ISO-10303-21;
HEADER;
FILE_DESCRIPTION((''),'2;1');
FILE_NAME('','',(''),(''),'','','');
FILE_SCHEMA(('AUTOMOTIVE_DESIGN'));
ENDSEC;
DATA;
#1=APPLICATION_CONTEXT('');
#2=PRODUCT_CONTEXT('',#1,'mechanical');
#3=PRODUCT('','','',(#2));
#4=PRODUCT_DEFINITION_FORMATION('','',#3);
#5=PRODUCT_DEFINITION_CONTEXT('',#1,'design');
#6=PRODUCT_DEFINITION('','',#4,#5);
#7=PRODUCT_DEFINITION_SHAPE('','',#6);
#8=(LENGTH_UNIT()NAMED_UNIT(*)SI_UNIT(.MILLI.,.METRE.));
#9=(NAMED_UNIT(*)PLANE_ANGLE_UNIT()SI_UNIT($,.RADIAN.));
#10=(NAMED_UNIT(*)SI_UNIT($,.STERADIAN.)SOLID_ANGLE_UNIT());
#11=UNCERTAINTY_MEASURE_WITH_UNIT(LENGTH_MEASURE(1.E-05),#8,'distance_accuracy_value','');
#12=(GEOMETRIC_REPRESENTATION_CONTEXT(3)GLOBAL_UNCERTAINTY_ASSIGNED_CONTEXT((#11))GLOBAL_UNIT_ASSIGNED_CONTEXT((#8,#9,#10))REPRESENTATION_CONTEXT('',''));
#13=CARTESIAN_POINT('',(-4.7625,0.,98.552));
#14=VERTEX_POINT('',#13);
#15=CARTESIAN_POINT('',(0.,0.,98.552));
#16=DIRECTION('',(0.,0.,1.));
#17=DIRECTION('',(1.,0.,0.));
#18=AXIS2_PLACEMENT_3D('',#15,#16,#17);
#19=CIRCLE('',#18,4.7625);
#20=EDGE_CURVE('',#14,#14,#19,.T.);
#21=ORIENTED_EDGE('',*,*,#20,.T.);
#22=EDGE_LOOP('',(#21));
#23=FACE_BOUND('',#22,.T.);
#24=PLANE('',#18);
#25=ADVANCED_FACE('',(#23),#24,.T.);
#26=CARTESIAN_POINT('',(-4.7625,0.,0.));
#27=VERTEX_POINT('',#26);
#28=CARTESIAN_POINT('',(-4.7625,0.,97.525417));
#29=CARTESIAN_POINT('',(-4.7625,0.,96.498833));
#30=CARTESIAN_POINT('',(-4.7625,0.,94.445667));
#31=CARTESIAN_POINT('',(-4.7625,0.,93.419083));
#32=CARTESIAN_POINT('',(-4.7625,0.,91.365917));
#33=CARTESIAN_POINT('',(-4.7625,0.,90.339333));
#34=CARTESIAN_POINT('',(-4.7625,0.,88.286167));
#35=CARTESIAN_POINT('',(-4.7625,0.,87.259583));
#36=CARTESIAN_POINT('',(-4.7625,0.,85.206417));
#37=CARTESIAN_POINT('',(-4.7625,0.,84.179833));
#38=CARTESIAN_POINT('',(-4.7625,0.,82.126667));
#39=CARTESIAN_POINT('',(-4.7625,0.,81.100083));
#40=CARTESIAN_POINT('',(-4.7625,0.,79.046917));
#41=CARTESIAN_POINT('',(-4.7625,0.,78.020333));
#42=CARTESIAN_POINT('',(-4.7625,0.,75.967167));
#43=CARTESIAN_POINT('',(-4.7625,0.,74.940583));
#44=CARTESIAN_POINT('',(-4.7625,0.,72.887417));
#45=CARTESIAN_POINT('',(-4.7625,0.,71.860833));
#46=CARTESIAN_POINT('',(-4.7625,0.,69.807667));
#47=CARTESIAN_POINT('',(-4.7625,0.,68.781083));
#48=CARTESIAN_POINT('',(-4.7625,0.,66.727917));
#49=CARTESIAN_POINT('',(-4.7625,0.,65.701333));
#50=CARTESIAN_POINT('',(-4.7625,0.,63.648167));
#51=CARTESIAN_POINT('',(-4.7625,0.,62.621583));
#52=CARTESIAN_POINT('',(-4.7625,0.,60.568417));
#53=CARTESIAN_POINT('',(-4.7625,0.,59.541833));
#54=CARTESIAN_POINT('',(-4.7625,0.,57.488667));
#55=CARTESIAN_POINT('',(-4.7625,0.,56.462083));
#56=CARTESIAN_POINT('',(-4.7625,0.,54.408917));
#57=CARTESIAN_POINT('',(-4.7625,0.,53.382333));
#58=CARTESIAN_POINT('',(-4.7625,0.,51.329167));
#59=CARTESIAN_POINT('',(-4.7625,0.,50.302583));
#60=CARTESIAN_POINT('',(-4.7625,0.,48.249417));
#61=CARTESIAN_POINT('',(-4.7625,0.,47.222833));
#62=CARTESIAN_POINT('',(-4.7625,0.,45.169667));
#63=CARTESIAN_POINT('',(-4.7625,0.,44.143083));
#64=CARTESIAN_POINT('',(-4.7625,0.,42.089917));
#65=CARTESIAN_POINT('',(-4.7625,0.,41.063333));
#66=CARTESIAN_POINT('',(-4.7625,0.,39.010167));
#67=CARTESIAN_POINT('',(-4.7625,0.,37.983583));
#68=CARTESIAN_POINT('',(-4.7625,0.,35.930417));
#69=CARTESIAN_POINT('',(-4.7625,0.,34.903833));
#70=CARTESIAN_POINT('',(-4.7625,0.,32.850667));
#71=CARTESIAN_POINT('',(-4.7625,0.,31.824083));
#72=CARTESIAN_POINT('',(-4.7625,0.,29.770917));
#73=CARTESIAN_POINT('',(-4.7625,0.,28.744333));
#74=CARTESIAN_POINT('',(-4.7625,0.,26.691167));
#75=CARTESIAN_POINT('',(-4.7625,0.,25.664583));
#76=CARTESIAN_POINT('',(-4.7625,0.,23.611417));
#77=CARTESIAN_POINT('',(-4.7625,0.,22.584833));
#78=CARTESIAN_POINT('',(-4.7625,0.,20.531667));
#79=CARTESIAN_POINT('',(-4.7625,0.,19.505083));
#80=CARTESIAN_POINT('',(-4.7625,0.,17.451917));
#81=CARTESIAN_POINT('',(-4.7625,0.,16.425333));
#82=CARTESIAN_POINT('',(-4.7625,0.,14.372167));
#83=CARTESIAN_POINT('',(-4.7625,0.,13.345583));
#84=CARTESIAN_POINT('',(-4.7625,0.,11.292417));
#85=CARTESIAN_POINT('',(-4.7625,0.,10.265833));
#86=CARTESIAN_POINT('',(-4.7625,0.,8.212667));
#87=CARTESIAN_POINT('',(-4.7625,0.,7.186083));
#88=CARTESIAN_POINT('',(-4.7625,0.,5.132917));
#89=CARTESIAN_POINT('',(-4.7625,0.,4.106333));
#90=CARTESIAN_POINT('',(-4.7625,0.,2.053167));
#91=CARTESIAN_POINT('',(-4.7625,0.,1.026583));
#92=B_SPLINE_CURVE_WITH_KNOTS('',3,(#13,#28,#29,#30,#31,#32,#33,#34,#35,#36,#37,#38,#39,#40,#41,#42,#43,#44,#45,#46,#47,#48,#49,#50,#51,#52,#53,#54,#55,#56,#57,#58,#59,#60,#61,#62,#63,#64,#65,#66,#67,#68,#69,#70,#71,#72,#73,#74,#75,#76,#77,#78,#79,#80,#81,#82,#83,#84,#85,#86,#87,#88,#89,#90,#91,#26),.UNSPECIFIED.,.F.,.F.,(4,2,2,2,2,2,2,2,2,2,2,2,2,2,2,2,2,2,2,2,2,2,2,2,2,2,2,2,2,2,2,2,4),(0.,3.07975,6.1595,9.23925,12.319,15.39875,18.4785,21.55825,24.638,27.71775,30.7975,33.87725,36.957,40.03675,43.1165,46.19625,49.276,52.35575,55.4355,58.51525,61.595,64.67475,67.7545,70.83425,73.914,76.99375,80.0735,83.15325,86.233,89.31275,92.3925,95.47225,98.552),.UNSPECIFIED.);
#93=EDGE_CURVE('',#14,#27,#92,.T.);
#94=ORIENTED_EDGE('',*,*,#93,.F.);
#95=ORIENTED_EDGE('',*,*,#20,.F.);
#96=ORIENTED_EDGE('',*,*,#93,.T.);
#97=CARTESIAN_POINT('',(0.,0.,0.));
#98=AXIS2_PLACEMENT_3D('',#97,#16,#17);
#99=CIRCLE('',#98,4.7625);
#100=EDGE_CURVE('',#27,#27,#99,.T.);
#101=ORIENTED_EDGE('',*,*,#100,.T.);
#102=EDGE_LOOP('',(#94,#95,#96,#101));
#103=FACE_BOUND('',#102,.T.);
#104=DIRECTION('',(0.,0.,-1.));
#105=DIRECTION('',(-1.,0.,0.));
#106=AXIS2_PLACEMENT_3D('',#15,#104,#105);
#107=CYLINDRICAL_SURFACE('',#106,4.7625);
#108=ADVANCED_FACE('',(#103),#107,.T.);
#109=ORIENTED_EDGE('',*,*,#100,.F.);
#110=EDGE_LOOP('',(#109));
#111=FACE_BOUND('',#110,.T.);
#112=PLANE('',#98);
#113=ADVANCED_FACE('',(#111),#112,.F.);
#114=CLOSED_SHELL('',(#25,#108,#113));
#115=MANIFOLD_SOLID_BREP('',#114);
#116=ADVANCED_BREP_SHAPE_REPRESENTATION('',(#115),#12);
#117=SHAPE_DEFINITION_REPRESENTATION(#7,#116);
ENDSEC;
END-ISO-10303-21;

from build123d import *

# Parameters (mm, degrees)
SKETCH1_R           = 4.7625
BOSS_EXTRUDE1_DEPTH = 98.552


with BuildPart() as part:
    # Sketch1 → Boss-Extrude1 (new body)
    with BuildSketch(Plane.XY):
        with Locations(Location((0, 0, 0), (0, 0, 180))):
            Circle(SKETCH1_R)
    extrude(amount=BOSS_EXTRUDE1_DEPTH)


solid = part.part
